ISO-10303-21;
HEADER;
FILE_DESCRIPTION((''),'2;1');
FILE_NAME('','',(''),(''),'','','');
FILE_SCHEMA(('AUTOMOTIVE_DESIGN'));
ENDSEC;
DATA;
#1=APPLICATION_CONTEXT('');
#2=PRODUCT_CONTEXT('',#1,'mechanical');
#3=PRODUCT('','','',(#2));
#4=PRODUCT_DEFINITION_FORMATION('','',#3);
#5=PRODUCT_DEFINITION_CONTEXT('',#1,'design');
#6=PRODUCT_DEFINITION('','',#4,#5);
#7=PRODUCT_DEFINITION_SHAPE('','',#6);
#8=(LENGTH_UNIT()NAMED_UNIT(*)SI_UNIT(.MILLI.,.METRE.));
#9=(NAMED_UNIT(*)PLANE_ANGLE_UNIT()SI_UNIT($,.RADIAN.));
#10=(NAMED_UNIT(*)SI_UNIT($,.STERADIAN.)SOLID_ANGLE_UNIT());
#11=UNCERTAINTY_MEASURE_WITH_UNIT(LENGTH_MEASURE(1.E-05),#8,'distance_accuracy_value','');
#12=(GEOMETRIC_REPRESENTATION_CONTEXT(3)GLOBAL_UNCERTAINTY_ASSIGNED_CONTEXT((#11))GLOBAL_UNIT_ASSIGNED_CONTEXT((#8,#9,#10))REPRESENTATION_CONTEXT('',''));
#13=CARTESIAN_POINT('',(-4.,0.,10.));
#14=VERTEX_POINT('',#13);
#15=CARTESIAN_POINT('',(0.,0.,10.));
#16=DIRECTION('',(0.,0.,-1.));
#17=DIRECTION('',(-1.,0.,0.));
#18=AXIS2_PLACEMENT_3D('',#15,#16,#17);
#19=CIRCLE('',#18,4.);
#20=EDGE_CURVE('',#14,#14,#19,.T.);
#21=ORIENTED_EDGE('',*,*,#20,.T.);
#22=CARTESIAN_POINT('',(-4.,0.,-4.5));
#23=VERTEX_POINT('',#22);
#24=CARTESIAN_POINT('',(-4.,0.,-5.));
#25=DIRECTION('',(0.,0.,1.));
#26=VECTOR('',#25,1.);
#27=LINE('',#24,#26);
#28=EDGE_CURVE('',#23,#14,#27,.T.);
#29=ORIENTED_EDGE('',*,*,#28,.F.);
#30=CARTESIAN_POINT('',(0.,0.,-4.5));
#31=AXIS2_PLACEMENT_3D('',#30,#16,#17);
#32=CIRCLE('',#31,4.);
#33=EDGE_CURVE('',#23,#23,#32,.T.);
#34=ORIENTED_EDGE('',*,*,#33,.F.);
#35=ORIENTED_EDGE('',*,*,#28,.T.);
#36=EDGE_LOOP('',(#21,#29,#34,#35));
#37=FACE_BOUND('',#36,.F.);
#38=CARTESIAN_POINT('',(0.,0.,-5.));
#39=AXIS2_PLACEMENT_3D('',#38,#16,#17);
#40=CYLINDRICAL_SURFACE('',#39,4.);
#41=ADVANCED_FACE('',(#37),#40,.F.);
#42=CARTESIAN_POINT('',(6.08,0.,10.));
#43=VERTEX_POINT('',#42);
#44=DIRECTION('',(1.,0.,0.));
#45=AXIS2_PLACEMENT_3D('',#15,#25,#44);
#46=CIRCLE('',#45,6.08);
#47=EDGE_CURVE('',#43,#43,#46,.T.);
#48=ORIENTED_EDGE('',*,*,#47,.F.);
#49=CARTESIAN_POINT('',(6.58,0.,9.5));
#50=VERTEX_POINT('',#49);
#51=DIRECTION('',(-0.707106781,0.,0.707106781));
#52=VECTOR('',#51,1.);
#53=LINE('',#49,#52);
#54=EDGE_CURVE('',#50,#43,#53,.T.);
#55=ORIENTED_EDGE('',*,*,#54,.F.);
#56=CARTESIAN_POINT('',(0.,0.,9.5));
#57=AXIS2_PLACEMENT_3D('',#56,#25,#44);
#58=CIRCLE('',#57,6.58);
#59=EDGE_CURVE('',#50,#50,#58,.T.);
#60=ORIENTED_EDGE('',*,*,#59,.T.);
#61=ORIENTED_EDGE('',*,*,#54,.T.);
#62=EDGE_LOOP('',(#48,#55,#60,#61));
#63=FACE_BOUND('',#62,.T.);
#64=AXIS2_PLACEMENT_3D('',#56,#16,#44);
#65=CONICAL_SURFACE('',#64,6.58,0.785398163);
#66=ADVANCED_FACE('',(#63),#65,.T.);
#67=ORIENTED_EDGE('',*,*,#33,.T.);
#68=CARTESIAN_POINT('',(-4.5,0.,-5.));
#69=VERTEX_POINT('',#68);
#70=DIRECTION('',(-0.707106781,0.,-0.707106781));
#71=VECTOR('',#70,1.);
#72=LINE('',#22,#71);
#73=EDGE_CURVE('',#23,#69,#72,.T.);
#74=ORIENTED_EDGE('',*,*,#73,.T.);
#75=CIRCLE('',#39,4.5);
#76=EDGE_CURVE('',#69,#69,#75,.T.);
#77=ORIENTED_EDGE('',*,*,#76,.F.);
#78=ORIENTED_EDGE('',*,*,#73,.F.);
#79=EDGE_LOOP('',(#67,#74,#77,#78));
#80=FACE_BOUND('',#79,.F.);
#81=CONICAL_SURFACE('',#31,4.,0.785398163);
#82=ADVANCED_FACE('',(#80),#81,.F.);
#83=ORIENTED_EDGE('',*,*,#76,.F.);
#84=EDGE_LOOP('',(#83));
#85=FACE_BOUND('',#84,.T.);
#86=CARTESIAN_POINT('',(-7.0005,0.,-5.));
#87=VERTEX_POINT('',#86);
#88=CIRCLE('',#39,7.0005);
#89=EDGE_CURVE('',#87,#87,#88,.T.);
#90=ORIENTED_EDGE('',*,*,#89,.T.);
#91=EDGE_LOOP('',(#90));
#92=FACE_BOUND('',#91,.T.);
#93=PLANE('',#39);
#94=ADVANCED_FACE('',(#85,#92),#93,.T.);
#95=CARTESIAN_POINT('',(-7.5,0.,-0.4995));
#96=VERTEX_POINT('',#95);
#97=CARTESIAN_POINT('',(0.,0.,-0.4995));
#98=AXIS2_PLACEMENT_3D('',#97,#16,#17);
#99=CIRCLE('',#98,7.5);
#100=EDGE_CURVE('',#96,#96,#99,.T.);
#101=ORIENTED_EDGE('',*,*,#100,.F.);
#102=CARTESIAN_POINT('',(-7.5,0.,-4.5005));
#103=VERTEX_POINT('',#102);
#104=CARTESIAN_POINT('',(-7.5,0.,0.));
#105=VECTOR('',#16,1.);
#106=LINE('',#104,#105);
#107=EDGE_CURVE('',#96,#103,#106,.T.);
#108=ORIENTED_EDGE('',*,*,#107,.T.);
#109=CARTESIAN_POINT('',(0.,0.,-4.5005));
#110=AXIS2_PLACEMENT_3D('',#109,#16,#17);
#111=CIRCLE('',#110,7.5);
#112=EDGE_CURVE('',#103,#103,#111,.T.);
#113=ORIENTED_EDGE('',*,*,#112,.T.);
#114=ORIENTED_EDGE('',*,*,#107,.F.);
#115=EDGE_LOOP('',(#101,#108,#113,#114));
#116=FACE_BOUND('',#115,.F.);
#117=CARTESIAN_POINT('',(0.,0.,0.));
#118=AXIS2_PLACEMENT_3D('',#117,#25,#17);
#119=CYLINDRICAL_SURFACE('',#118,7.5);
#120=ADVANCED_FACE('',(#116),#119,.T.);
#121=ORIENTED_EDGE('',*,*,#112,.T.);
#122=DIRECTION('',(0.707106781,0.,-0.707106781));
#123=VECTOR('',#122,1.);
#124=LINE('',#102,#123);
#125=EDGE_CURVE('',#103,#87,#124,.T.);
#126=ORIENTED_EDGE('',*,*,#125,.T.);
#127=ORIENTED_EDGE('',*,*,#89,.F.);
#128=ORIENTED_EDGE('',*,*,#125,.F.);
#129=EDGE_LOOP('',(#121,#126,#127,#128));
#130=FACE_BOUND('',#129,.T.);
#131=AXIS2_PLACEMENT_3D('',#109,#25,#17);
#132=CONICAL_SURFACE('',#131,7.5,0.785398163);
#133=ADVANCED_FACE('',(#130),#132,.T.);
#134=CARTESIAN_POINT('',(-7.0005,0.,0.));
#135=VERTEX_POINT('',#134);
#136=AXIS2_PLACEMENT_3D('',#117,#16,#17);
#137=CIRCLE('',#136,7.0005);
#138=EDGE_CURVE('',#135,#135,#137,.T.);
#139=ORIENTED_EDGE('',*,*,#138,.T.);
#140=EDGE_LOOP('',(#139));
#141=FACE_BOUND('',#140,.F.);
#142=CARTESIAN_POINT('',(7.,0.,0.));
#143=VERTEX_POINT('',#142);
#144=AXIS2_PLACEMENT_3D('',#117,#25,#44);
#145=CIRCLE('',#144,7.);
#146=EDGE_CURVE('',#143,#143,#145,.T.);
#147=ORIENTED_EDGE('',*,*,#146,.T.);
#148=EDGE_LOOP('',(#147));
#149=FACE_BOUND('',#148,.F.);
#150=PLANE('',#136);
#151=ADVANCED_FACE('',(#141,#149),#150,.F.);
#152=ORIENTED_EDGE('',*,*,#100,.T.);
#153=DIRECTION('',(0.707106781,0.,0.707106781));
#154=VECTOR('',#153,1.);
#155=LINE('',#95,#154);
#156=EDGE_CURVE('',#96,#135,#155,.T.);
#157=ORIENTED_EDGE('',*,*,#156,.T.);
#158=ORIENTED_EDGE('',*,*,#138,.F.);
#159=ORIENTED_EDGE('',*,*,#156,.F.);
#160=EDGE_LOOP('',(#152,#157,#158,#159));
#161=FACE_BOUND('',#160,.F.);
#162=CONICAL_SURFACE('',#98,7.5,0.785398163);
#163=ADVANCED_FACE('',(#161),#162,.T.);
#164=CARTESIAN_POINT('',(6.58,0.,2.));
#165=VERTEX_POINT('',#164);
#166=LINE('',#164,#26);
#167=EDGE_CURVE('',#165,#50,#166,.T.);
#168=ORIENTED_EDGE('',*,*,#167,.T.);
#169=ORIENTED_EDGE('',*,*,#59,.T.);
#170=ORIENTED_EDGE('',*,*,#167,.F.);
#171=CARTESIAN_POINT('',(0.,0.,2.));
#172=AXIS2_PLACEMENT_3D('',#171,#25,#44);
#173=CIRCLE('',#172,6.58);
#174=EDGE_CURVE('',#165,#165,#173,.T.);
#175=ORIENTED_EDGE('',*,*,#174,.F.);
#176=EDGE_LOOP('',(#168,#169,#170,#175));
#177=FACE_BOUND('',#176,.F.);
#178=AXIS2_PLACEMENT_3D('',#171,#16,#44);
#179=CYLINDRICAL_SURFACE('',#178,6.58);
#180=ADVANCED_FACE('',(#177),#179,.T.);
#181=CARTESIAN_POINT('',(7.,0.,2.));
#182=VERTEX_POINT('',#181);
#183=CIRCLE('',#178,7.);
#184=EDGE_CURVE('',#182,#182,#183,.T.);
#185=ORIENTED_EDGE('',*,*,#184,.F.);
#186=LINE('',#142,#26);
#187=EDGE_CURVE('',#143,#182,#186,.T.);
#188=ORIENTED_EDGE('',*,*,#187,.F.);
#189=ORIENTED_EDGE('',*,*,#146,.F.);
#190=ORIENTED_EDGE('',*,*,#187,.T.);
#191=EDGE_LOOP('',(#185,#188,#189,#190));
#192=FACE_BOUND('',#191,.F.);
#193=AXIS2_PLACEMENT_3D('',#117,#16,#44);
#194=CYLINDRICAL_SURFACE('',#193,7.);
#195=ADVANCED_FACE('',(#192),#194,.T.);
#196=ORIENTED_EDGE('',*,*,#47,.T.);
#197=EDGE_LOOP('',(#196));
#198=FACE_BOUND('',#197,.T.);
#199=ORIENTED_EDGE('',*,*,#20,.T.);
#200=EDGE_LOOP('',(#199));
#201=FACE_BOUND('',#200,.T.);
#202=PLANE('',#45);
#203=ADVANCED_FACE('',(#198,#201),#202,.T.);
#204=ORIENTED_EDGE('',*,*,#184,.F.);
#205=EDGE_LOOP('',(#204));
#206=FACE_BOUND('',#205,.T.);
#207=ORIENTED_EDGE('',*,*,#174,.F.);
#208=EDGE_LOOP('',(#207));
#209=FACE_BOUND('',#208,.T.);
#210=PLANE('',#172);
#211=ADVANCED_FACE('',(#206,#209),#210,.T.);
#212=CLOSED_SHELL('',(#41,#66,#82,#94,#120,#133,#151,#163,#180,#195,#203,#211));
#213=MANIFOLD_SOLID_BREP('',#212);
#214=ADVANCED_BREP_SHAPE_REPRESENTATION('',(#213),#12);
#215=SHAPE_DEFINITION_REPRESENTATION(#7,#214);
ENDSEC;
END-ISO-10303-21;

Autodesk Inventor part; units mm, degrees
ref_plane "YZ Plane" through (0, 0, 0) normal (1, 0, 0) x (0, 1, 0)
ref_plane "XZ Plane" through (0, 0, 0) normal (0, 1, 0) x (-1, 0, 0)
ref_plane "XY Plane" through (0, 0, 0) normal (0, 0, 1) x (1, 0, 0)
sketch "Skizze1" plane through (0, 0, 0) normal (0, 0, 1) x (1, 0, 0)
  line L0 (-9.8, 0) -> (9.8, 0) projected
  line L1 (0, -9.8) -> (0, 9.8) projected
  circle A0 centre (0, 0) radius 7
  point P0 (0, 7)
  point P1 (-7, 0)
  point P2 (0, -7)
  point P3 (7, 0)
  dimension "d19" = 14
extrude "Extrusion1" add sketch "Skizze1" along normal blind 2
sketch "Skizze2" plane through (0, 0, 0) normal (0, 0, -1) x (-1, 0, 0)
  circle A0 centre (0, 0) radius 7.5
  dimension "d7" = 15
extrude "Extrusion2" add sketch "Skizze2" along normal blind 5
chamfer "Fase2" distance 0.5 angle 45 2 edges at (7.5, 0, 0) (7.5, 0, -5)
sketch "Skizze4" plane through (0, 0, 2) normal (0, 0, 1) x (1, 0, 0)
  circle A0 centre (0, 0) radius 6.58
  dimension "d20" = 13.16
extrude "Extrusion4" add sketch "Skizze4" along normal blind 8
thread "Gewinde2" size "G13.157x1.337" designation "G 1/4" class "A" standard "ISO Pipe Threads" length 8
chamfer "Fase4" distance 0.5 angle 45 1 edges at (-6.58, 0, 10)
sketch "Skizze5" plane through (0, 0, -5) normal (0, 0, -1) x (-1, 0, 0)
  circle A0 centre (0, 0) radius 4
  dimension "d28" = 8
extrude "Extrusion5" cut sketch "Skizze5" against normal blind 15
chamfer "Fase5" distance 0.5 angle 45 1 edges at (4, 0, -5)
properties part number "Schlauchsteckverbindung"
